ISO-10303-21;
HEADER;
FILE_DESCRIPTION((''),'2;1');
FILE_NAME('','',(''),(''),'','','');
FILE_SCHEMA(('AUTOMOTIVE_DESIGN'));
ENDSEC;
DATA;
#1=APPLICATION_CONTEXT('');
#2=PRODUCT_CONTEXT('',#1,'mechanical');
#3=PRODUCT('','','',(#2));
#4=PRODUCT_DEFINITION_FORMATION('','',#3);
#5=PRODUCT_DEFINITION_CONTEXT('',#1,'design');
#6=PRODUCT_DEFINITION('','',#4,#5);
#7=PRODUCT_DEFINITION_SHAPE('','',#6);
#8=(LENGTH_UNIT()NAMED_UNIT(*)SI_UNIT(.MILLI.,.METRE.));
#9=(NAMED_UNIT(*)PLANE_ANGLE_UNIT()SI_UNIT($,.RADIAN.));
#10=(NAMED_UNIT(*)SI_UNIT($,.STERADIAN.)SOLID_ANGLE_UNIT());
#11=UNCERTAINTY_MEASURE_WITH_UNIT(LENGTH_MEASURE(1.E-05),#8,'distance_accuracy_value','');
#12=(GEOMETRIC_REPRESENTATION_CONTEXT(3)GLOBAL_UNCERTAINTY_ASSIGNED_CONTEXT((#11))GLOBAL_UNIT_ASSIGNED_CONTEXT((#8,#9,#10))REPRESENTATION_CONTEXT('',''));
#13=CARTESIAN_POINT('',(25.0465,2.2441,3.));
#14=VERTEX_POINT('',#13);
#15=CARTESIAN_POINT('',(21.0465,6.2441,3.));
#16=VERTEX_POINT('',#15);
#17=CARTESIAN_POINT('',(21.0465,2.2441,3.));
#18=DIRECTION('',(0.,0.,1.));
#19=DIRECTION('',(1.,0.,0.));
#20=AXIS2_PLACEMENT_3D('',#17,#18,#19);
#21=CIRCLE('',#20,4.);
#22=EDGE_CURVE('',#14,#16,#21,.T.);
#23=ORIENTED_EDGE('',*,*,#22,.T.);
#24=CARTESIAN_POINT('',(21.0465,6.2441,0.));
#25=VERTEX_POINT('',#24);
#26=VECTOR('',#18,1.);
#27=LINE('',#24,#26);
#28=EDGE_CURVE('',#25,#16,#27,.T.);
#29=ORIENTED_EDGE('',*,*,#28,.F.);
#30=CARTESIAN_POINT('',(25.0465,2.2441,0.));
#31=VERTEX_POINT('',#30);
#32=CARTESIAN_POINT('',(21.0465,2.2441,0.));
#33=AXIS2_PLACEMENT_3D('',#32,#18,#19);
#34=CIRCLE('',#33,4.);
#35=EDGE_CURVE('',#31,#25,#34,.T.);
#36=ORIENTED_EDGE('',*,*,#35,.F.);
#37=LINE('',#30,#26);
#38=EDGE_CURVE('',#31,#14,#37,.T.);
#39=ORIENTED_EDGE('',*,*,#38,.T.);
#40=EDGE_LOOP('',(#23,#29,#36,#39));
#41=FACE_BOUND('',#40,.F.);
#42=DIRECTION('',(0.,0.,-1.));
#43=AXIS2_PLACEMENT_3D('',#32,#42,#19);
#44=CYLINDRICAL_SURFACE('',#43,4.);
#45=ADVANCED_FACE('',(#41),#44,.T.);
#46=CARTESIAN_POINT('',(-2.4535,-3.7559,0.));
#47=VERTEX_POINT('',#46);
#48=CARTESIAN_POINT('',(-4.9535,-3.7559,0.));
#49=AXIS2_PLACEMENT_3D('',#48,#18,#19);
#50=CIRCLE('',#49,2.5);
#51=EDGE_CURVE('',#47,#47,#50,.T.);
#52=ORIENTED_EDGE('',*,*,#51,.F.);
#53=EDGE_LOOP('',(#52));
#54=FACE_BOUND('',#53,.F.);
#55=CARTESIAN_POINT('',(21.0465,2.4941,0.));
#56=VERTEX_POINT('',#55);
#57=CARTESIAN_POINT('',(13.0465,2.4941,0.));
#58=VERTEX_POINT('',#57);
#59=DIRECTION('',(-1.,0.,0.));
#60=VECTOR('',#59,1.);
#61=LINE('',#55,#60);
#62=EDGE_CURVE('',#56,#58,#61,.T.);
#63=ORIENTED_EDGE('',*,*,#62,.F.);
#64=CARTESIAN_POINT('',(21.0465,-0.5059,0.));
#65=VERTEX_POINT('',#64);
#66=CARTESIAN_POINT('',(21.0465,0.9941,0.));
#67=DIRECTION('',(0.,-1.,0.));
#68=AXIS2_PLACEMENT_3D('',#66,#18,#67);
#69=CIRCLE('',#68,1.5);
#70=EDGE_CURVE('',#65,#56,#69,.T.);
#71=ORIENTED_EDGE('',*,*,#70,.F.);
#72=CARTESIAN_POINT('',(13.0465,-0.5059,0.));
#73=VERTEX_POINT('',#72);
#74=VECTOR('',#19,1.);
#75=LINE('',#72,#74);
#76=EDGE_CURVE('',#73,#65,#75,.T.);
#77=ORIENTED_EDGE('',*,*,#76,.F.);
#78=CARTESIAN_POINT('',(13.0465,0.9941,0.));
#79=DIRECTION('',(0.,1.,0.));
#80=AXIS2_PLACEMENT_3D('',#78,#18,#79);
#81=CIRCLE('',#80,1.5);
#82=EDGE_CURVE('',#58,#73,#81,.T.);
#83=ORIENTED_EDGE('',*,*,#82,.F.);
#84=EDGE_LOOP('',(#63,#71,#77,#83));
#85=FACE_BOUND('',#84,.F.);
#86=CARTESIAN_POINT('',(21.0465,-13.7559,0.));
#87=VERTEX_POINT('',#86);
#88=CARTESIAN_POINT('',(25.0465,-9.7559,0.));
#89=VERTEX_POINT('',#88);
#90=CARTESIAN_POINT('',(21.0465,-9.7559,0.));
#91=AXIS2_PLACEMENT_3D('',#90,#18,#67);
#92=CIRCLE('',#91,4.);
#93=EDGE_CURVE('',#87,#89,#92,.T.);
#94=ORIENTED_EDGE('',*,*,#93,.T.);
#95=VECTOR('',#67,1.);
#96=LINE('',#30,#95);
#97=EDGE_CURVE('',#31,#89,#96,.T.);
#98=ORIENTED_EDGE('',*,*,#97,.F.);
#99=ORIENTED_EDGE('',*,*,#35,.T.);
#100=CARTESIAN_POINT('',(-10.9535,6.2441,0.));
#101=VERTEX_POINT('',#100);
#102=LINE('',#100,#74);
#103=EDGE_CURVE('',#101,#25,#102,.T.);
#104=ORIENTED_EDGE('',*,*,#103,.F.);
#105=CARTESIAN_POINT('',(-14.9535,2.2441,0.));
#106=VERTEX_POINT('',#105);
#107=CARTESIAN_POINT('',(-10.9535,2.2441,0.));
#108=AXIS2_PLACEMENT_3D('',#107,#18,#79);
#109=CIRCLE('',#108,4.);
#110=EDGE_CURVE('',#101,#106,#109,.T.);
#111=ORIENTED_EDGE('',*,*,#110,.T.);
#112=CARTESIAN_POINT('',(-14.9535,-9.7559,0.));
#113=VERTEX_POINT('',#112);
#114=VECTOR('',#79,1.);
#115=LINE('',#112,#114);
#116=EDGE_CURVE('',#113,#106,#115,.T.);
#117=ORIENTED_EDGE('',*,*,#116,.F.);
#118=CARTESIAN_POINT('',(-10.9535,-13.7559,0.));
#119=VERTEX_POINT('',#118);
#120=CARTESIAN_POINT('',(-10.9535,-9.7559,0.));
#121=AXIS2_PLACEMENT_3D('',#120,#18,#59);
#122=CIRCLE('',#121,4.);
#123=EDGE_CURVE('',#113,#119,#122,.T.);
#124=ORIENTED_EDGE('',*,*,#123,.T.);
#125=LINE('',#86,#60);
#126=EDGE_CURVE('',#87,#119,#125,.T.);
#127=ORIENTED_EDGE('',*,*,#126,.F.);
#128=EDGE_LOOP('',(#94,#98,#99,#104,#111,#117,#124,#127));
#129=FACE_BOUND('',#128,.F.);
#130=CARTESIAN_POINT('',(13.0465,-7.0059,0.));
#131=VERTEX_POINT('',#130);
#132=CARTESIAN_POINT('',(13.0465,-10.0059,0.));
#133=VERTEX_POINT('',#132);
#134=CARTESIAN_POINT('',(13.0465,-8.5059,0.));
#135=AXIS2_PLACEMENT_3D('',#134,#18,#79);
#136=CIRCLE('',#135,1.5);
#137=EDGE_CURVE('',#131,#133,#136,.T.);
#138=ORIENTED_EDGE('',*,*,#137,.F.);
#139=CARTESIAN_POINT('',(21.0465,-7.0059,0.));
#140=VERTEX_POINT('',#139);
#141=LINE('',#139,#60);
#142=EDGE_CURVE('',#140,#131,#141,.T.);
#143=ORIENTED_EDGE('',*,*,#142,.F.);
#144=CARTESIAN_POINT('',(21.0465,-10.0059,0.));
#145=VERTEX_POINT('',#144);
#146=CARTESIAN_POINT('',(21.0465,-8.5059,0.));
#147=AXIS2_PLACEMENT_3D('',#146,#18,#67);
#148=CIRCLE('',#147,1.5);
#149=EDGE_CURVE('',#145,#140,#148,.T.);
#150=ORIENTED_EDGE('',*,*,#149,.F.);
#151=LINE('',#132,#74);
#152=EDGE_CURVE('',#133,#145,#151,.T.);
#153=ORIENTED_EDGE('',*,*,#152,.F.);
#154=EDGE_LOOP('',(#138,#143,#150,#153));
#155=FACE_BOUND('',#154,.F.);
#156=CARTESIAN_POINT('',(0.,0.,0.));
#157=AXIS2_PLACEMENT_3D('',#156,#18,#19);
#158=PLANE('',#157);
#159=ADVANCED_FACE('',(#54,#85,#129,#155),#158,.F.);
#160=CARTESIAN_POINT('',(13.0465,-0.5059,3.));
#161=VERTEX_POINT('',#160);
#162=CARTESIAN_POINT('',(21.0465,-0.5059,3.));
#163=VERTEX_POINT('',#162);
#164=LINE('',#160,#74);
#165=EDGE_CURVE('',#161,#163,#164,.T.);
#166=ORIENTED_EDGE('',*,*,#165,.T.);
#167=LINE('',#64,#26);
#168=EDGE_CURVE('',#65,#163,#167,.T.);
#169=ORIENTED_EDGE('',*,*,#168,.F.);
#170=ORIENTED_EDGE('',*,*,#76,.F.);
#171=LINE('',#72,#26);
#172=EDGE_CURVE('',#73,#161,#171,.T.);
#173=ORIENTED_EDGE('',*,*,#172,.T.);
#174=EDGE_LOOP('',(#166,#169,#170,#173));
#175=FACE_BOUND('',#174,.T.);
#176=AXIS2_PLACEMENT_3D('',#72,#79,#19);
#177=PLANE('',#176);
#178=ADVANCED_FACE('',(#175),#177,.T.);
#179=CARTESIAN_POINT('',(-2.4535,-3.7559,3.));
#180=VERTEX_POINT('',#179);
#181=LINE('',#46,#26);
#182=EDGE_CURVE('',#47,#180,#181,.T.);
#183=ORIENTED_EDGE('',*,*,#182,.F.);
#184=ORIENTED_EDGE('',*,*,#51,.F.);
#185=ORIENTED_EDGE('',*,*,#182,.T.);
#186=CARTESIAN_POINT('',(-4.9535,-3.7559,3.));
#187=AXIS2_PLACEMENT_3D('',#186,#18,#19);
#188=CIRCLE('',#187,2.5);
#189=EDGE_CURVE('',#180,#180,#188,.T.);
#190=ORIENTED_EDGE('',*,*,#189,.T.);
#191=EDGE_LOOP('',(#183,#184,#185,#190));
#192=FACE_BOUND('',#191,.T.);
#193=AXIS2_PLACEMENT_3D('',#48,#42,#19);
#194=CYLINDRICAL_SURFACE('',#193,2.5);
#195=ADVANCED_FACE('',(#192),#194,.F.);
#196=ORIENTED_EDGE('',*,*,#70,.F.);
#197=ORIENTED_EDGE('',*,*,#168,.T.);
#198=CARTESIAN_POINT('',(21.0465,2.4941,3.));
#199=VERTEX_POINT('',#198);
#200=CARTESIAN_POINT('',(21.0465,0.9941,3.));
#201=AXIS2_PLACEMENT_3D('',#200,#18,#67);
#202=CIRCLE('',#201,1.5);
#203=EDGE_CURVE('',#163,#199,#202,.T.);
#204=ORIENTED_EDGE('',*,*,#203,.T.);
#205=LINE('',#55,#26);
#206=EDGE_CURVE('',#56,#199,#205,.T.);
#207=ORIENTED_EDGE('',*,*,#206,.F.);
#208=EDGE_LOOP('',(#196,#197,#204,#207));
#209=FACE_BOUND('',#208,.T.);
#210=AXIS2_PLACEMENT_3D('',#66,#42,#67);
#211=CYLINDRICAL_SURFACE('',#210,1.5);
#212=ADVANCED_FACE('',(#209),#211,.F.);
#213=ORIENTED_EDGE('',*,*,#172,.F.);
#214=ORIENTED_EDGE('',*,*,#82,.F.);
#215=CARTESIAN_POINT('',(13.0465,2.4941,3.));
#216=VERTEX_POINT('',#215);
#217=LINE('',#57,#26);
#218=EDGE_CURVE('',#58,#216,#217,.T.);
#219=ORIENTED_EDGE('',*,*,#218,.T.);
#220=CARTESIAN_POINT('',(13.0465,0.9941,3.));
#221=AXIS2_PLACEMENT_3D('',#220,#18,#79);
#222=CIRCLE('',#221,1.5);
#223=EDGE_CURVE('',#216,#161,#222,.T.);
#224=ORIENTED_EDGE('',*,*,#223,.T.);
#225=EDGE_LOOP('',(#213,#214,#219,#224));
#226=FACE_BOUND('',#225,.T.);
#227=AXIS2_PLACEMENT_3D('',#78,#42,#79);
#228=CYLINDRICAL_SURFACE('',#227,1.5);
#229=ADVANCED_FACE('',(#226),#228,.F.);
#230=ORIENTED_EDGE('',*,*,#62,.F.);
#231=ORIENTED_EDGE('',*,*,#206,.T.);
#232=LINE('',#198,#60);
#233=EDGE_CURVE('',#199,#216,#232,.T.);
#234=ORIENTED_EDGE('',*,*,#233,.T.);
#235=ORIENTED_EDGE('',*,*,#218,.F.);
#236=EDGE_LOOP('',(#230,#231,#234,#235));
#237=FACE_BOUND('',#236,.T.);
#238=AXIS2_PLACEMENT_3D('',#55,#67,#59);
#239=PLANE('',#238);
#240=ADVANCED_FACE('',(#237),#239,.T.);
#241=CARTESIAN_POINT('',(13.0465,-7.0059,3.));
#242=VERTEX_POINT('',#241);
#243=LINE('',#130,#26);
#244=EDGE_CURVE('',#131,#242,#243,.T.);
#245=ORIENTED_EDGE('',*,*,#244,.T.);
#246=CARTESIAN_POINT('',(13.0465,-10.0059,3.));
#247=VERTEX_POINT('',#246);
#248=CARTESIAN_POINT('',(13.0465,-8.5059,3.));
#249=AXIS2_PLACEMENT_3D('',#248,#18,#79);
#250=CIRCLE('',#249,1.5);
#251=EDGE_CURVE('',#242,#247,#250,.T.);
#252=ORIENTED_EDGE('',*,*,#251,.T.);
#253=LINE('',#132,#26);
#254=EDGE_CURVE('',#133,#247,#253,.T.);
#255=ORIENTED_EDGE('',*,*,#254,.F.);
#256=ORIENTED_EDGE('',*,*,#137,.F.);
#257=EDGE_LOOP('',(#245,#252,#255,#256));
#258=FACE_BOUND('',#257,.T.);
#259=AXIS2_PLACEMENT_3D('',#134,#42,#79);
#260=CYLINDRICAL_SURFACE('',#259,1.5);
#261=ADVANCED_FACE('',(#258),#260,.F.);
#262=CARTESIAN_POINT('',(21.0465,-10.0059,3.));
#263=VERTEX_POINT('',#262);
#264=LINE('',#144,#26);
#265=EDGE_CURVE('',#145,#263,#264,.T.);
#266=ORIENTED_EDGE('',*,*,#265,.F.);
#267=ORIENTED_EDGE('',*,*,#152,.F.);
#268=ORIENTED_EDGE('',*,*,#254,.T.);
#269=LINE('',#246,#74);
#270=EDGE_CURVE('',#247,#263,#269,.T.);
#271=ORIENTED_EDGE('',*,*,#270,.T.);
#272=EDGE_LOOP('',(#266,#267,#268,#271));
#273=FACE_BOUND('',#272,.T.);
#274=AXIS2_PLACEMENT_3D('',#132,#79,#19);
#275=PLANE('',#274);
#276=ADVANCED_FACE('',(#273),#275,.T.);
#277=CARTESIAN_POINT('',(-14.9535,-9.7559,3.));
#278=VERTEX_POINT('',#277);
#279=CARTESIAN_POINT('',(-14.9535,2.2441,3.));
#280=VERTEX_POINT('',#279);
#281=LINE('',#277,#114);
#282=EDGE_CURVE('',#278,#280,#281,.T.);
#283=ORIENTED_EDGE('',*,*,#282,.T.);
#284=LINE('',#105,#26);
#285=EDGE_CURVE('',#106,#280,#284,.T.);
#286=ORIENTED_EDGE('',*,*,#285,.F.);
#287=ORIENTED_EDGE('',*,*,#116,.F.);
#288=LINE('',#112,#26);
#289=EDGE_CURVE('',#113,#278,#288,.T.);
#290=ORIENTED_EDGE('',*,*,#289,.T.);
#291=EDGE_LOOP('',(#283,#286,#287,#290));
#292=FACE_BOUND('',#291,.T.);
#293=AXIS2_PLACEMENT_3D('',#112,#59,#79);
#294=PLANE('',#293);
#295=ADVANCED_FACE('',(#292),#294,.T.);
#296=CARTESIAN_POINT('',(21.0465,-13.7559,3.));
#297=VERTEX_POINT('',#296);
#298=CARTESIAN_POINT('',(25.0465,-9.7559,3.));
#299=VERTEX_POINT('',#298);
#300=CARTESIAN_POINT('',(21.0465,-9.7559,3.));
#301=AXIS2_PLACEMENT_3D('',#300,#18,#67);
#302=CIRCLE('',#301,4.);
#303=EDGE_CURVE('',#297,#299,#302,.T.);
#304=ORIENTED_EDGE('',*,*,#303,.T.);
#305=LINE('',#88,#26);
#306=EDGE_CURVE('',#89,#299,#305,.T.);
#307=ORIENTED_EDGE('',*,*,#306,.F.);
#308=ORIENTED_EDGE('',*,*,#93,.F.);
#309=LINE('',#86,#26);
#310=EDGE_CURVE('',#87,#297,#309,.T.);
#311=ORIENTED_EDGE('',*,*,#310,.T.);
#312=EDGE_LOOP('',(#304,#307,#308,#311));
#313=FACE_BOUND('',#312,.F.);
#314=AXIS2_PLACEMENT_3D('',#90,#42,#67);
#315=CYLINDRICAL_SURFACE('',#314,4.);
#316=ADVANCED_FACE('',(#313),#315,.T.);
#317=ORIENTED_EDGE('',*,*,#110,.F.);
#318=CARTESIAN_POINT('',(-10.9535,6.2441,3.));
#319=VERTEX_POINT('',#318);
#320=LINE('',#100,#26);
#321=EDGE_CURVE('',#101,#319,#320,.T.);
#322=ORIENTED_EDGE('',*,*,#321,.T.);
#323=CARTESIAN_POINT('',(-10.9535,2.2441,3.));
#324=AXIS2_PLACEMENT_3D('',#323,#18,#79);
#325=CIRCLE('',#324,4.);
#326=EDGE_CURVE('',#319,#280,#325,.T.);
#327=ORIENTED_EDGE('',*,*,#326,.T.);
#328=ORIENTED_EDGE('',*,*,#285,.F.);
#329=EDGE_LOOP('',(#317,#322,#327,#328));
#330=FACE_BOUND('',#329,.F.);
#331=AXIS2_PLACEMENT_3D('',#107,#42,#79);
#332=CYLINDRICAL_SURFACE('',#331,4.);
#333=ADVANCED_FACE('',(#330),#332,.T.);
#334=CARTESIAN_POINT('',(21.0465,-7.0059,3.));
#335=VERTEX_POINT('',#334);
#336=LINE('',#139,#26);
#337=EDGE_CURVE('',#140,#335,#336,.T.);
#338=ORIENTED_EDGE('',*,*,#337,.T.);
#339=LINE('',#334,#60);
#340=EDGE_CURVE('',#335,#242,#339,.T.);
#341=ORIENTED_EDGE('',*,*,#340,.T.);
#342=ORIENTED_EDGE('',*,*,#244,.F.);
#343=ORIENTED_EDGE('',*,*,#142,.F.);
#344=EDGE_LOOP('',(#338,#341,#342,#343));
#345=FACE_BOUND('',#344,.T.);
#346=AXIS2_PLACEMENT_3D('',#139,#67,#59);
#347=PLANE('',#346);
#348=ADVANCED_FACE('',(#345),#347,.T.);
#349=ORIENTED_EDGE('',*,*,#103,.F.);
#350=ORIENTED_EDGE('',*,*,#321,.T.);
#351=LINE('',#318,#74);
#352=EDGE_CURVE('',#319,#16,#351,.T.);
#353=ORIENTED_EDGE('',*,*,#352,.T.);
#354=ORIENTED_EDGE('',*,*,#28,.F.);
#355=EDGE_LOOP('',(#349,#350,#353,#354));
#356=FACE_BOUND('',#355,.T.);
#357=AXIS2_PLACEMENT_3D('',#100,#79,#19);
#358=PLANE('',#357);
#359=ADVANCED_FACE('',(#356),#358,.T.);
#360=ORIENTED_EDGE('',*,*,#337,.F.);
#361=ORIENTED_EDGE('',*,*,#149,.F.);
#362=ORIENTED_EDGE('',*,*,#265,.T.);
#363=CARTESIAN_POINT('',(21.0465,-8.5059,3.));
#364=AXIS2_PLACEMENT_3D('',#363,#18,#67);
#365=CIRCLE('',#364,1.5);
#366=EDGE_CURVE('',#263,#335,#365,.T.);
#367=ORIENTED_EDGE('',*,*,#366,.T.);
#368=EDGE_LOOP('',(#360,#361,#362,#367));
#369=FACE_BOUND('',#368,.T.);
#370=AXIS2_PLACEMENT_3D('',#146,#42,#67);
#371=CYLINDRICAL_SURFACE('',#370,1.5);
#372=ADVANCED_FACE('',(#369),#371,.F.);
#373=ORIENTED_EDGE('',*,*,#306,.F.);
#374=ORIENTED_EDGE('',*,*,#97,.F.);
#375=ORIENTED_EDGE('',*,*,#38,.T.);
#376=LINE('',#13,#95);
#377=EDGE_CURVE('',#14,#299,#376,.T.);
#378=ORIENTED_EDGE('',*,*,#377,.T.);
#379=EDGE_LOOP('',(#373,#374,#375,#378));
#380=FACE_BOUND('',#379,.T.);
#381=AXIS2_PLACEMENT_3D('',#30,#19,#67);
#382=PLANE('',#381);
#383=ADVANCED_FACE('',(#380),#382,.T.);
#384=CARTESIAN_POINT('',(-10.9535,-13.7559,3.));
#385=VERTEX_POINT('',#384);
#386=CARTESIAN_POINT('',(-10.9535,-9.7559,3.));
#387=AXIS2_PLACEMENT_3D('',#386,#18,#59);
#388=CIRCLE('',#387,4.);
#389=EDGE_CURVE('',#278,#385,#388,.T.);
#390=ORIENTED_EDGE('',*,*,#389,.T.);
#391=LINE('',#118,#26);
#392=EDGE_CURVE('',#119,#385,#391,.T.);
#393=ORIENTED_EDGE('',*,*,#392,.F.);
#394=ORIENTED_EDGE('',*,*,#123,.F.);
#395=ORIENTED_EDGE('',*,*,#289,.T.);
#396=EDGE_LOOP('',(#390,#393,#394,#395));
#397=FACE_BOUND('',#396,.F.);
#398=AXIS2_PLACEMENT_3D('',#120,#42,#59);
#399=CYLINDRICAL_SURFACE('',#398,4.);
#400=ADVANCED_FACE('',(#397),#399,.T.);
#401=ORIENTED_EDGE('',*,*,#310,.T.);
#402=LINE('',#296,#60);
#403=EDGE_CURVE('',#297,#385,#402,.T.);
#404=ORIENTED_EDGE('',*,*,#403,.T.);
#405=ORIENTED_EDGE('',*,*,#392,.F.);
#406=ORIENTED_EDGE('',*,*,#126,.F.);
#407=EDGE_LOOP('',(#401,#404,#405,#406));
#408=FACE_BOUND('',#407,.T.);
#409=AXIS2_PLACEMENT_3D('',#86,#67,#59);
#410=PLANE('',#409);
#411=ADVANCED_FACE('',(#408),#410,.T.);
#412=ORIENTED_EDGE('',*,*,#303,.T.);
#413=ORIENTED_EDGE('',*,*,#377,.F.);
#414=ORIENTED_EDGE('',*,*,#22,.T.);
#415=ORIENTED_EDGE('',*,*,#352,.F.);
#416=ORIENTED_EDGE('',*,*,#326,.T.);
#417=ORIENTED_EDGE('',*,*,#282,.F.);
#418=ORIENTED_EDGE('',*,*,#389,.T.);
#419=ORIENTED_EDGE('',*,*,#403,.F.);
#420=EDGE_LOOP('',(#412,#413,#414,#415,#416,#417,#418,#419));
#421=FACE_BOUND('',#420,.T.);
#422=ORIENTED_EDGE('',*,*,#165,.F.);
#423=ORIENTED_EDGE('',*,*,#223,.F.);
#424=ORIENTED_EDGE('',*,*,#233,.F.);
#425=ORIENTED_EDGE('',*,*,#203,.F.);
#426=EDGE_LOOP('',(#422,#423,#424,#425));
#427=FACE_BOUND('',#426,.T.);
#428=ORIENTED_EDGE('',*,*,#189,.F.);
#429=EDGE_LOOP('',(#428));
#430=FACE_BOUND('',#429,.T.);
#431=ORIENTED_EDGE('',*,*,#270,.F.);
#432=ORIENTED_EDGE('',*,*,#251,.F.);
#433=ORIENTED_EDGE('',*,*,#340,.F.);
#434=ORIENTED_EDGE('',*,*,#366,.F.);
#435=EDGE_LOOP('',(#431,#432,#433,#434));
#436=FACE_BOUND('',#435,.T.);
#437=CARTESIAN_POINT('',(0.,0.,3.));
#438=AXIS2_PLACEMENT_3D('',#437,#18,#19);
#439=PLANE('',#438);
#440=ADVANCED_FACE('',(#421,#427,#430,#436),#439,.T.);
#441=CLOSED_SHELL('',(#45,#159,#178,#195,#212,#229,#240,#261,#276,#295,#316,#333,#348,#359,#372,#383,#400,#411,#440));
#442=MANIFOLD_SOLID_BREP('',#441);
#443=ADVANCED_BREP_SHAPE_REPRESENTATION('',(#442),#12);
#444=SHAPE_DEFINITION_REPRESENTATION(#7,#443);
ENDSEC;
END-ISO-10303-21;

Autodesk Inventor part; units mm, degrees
ref_plane "YZ Plane" through (0, 0, 0) normal (1, 0, 0) x (0, 1, 0)
ref_plane "XZ Plane" through (0, 0, 0) normal (0, 1, 0) x (-1, 0, 0)
ref_plane "XY Plane" through (0, 0, 0) normal (0, 0, 1) x (1, 0, 0)
sketch "Szkic1" plane through (0, 0, 0) normal (0, 0, 1) x (1, 0, 0)
  line L0 (-10.9535, 6.2441) -> (21.0465, 6.2441)
  line L1 (25.0465, 2.2441) -> (25.0465, -9.7559)
  line L2 (21.0465, -13.7559) -> (-10.9535, -13.7559)
  line L3 (-14.9535, -9.7559) -> (-14.9535, 2.2441)
  arc A0 (-10.9535, 6.2441) -> (-14.9535, 2.2441) centre (-10.9535, 2.2441) ccw
  arc A1 (-14.9535, -9.7559) -> (-10.9535, -13.7559) centre (-10.9535, -9.7559) ccw
  arc A2 (21.0465, -13.7559) -> (25.0465, -9.7559) centre (21.0465, -9.7559) ccw
  arc A3 (25.0465, 2.2441) -> (21.0465, 6.2441) centre (21.0465, 2.2441) ccw
  line L4 (13.0465, 0.9941) -> (21.0465, 0.9941) construction
  line L5 (13.0465, -0.5059) -> (21.0465, -0.5059)
  line L6 (21.0465, 2.4941) -> (13.0465, 2.4941)
  arc A4 (13.0465, 2.4941) -> (13.0465, -0.5059) centre (13.0465, 0.9941) ccw
  arc A5 (21.0465, -0.5059) -> (21.0465, 2.4941) centre (21.0465, 0.9941) ccw
  line L7 (13.0465, -8.5059) -> (21.0465, -8.5059) construction
  line L8 (13.0465, -10.0059) -> (21.0465, -10.0059)
  line L9 (21.0465, -7.0059) -> (13.0465, -7.0059)
  arc A6 (13.0465, -7.0059) -> (13.0465, -10.0059) centre (13.0465, -8.5059) ccw
  arc A7 (21.0465, -10.0059) -> (21.0465, -7.0059) centre (21.0465, -8.5059) ccw
  circle A8 centre (-4.9535, -3.7559) radius 2.5
  point P0 (0, 0)
  point P1 (25.0465, -13.7559)
  point P2 (25.0465, 6.2441)
  point P3 (-14.9535, -13.7559)
  point P4 (17.0465, 0.9941)
  point P5 (17.0465, -8.5059)
  dimension "d0" = 40
  dimension "d1" = 20
  dimension "d2" = 4
  dimension "d3" = 10
  dimension "d4" = 10
  dimension "d5" = 5.25
  dimension "d6" = 5.25
  dimension "d7" = 8
  dimension "d8" = 8
  dimension "d9" = 4
  dimension "d10" = 3
  dimension "d11" = 4
  dimension "d12" = 3
  dimension "d13" = 5
extrude "Wyciągnięcie proste1" add sketch "Szkic1" along normal blind 3
equation "\"d6\" = d5"
equation "\"d8\" = d7"
properties part number "3DP_ABS_Y_Axis_Endstop_Mount"
